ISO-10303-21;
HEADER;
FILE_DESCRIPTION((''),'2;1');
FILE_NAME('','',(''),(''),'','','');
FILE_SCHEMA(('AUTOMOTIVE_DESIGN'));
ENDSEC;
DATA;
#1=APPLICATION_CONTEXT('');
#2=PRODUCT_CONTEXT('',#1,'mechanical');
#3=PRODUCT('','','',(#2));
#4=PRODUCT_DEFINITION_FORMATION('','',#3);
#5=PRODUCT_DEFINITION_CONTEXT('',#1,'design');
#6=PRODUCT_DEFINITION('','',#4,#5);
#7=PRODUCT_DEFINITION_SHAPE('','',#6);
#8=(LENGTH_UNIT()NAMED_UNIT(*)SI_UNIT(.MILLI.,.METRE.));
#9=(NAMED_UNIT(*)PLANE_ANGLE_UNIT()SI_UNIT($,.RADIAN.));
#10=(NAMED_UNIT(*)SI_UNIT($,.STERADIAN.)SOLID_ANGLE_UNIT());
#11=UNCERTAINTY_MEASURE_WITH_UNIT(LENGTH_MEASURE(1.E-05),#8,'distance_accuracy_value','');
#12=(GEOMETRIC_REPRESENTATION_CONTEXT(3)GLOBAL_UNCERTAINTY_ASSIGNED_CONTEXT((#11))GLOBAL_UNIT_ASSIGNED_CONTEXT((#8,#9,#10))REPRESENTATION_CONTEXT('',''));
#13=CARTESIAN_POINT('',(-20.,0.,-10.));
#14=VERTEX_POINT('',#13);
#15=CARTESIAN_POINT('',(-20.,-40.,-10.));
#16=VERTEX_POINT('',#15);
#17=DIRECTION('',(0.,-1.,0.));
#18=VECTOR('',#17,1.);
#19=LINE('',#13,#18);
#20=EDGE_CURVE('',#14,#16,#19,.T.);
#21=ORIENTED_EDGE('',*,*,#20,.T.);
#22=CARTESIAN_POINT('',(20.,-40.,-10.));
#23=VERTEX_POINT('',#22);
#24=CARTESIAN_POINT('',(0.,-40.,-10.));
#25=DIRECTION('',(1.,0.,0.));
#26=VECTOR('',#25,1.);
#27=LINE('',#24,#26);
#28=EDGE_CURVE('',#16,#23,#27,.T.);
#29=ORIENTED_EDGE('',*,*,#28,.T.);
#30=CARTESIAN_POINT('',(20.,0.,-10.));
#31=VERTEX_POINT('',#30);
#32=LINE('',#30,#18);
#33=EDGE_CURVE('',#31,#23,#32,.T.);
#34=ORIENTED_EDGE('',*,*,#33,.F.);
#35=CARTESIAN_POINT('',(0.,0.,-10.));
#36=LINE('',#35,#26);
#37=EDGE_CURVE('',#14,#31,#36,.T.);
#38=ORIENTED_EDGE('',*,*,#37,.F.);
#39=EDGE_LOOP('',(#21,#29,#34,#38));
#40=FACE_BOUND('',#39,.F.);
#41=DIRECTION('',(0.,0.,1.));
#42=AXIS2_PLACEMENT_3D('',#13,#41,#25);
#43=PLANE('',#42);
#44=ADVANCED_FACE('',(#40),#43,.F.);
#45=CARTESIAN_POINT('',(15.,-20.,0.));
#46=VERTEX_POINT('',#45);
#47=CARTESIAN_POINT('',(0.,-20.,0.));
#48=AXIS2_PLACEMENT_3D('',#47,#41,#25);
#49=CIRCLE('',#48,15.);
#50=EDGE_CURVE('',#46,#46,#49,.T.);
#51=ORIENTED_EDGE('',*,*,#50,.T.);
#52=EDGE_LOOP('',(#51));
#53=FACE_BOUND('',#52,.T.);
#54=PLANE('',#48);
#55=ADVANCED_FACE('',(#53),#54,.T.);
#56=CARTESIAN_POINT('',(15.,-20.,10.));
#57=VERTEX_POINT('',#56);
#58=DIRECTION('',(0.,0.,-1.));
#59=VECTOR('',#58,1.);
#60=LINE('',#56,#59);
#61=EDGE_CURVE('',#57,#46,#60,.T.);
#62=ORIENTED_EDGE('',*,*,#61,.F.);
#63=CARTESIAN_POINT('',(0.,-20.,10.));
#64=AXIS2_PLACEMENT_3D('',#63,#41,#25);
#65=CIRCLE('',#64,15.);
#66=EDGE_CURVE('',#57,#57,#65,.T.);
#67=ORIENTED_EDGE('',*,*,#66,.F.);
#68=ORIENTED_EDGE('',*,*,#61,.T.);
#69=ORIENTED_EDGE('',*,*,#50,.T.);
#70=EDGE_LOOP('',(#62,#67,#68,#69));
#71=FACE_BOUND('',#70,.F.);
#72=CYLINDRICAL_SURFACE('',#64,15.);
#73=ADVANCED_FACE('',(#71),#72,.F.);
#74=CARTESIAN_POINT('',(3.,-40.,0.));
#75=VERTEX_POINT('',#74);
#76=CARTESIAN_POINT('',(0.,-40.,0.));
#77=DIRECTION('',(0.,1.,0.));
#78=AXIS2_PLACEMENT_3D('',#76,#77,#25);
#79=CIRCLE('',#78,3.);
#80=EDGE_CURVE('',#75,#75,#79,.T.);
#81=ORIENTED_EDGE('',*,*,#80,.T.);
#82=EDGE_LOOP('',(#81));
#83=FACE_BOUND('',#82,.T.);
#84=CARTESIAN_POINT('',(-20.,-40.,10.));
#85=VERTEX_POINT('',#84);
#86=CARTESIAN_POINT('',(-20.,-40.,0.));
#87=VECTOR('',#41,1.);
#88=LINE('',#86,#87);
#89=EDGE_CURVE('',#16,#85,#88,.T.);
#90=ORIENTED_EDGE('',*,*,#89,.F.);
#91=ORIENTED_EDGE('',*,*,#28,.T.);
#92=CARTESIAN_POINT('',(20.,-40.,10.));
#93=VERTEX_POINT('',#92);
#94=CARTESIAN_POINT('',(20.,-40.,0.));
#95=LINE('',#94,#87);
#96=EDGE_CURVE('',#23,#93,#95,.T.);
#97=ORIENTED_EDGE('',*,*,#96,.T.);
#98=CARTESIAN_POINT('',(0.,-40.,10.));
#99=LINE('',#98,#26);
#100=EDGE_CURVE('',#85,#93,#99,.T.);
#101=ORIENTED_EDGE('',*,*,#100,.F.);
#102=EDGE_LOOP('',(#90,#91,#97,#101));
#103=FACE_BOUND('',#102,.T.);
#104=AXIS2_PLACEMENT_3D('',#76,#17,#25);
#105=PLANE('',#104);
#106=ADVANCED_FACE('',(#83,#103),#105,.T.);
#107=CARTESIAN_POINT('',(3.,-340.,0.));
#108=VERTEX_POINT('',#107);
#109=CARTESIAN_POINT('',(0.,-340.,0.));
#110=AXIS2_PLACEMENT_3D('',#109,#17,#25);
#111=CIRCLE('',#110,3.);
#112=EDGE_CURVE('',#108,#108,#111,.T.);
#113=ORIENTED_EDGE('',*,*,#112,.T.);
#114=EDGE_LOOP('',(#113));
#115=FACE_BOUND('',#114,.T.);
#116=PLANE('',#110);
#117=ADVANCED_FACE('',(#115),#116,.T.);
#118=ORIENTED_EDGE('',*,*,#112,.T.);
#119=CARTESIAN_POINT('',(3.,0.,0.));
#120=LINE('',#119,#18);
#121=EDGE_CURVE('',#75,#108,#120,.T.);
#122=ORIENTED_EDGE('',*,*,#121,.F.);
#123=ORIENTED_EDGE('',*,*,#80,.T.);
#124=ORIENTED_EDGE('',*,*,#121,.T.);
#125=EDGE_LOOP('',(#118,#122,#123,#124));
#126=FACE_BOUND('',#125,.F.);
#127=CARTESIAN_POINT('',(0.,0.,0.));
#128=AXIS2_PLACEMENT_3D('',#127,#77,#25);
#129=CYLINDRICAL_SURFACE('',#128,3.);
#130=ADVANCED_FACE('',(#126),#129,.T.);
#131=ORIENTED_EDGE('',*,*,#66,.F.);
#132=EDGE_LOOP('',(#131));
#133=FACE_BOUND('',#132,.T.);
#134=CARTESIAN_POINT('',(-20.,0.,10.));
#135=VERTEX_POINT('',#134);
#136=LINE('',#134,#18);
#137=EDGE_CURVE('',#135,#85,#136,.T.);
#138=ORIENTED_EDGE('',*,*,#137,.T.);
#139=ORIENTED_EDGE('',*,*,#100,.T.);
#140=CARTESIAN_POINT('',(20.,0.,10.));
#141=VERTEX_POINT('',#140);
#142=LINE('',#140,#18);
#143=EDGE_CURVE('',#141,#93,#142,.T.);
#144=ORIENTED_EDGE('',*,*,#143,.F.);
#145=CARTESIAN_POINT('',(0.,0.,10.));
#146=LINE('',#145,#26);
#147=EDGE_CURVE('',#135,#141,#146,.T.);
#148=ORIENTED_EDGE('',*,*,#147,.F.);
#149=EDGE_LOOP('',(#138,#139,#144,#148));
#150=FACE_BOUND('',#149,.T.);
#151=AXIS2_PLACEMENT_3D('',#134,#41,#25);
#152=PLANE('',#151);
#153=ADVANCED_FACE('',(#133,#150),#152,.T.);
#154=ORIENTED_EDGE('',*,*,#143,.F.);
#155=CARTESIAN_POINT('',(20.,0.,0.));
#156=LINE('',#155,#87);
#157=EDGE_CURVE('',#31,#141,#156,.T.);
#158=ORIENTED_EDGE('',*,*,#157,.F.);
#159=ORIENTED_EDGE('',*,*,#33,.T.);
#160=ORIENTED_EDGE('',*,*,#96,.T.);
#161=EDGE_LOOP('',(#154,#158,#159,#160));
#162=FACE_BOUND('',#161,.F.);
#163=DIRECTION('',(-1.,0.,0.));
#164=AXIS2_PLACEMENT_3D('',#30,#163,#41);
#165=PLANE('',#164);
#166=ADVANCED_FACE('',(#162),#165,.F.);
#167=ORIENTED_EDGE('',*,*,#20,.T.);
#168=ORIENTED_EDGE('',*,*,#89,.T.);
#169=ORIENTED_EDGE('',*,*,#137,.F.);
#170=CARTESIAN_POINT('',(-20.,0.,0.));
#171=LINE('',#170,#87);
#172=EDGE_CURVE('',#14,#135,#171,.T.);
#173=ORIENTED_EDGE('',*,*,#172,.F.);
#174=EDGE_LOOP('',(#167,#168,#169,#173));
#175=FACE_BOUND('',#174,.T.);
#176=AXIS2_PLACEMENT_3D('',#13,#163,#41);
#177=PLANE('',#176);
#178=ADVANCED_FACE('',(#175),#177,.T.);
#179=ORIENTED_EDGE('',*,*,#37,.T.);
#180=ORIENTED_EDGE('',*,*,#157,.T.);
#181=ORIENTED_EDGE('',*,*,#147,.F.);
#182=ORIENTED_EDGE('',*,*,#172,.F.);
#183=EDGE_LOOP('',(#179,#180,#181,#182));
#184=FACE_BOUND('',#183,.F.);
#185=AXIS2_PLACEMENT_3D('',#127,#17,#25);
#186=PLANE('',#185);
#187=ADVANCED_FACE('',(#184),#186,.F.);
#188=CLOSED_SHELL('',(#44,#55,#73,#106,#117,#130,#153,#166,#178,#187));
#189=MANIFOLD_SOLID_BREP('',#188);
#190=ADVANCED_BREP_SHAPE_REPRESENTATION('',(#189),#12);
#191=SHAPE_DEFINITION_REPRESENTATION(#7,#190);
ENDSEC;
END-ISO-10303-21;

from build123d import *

# Parameters (mm, degrees)
F0_R     = 3
F1_DEPTH = 340
F2_W     = 40
F2_H     = 20
F3_DEPTH = 40
F4_R     = 15
F5_DEPTH = 10


with BuildPart() as f1:
    # F0 (on Front) → F1 (new body)
    with BuildSketch(Plane.XZ):
        Circle(F0_R)
    extrude(amount=F1_DEPTH)

    # F2 (on Front) → F3 (join)
    with BuildSketch(Plane.XZ):
        Rectangle(F2_W, F2_H)
    extrude(amount=F3_DEPTH)

    # F4 (on face) → F5 (cut)
    with BuildSketch(Plane.XY.offset(10)):
        with Locations((0, -20)):
            Circle(F4_R)
    extrude(amount=-F5_DEPTH, mode=Mode.SUBTRACT)


solid = f1.part
